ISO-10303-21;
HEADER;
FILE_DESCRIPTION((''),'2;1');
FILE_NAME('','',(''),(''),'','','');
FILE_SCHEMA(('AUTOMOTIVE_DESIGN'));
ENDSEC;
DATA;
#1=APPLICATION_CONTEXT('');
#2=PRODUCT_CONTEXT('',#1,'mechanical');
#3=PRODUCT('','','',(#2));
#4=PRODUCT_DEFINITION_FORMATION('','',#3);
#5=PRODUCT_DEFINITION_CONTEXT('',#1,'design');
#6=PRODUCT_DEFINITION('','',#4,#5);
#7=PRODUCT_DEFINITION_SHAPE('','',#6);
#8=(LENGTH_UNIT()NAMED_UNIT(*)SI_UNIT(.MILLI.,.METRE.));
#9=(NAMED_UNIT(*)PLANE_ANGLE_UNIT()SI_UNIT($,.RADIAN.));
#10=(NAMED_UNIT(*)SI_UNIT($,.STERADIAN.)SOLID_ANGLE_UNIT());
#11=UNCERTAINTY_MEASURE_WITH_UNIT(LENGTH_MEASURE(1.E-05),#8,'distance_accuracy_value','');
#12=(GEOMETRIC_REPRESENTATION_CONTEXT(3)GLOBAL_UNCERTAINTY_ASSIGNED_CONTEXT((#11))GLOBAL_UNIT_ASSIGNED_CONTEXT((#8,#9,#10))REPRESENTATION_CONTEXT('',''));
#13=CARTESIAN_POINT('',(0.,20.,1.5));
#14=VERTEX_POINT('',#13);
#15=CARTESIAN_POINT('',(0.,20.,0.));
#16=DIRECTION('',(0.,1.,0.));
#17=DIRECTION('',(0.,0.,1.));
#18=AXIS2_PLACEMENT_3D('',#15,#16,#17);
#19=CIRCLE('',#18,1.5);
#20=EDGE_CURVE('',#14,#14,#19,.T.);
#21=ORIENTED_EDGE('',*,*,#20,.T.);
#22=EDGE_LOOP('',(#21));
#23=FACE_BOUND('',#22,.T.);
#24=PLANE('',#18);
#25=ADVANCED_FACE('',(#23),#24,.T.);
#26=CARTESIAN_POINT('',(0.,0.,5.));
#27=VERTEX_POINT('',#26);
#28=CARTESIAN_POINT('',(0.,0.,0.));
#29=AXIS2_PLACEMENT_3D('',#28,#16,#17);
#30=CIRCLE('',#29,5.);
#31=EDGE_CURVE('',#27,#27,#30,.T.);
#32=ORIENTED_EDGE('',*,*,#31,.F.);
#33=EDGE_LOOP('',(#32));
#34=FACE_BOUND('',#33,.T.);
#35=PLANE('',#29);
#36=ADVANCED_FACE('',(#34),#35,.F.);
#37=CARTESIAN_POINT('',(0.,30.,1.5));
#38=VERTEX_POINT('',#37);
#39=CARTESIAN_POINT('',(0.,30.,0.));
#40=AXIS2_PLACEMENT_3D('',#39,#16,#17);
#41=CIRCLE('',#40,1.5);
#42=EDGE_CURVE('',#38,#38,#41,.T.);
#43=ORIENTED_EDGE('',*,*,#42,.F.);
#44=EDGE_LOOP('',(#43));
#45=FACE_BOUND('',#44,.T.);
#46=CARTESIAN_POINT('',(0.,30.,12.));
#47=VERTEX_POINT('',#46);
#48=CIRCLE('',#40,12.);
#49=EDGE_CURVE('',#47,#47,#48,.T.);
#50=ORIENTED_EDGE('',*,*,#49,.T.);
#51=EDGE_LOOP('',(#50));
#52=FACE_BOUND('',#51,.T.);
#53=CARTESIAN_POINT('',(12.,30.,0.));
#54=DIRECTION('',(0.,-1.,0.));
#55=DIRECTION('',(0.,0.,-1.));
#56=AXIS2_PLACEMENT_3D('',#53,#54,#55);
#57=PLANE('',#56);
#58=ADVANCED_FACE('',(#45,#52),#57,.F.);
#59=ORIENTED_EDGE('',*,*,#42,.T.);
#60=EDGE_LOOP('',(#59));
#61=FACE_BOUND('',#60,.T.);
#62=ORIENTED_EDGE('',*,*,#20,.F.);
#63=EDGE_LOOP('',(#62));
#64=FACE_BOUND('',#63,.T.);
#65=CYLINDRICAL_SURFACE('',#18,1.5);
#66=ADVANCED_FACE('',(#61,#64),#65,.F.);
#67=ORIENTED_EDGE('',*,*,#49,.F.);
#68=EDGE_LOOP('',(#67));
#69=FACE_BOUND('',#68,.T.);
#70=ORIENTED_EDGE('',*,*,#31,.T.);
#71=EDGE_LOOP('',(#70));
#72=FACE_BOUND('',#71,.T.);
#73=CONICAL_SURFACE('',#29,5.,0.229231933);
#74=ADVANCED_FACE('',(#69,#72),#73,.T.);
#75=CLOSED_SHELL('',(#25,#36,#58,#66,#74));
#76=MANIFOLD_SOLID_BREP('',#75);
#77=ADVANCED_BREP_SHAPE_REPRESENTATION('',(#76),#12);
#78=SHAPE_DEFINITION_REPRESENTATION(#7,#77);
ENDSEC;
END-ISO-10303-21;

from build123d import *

# Parameters (mm, degrees)
SKETCH2_R          = 1.5
CUT_EXTRUDE1_DEPTH = 10


with BuildPart() as part:
    # Sketch1 → Revolve1 (revolve)
    with BuildSketch(Plane.XY):
        Polygon((5, 0), (12, 30), (0, 30), (0, 0), align=None)
    revolve(axis=Axis((0, 30, 0), (0, -1, 0)))

    # Sketch2 → Cut-Extrude1 (cut)
    with BuildSketch(Plane(origin=(0, 30, 0), x_dir=(1, 0, 0), z_dir=(0, 1, 0))):
        Circle(SKETCH2_R)
    extrude(amount=-CUT_EXTRUDE1_DEPTH, mode=Mode.SUBTRACT)


solid = part.part
